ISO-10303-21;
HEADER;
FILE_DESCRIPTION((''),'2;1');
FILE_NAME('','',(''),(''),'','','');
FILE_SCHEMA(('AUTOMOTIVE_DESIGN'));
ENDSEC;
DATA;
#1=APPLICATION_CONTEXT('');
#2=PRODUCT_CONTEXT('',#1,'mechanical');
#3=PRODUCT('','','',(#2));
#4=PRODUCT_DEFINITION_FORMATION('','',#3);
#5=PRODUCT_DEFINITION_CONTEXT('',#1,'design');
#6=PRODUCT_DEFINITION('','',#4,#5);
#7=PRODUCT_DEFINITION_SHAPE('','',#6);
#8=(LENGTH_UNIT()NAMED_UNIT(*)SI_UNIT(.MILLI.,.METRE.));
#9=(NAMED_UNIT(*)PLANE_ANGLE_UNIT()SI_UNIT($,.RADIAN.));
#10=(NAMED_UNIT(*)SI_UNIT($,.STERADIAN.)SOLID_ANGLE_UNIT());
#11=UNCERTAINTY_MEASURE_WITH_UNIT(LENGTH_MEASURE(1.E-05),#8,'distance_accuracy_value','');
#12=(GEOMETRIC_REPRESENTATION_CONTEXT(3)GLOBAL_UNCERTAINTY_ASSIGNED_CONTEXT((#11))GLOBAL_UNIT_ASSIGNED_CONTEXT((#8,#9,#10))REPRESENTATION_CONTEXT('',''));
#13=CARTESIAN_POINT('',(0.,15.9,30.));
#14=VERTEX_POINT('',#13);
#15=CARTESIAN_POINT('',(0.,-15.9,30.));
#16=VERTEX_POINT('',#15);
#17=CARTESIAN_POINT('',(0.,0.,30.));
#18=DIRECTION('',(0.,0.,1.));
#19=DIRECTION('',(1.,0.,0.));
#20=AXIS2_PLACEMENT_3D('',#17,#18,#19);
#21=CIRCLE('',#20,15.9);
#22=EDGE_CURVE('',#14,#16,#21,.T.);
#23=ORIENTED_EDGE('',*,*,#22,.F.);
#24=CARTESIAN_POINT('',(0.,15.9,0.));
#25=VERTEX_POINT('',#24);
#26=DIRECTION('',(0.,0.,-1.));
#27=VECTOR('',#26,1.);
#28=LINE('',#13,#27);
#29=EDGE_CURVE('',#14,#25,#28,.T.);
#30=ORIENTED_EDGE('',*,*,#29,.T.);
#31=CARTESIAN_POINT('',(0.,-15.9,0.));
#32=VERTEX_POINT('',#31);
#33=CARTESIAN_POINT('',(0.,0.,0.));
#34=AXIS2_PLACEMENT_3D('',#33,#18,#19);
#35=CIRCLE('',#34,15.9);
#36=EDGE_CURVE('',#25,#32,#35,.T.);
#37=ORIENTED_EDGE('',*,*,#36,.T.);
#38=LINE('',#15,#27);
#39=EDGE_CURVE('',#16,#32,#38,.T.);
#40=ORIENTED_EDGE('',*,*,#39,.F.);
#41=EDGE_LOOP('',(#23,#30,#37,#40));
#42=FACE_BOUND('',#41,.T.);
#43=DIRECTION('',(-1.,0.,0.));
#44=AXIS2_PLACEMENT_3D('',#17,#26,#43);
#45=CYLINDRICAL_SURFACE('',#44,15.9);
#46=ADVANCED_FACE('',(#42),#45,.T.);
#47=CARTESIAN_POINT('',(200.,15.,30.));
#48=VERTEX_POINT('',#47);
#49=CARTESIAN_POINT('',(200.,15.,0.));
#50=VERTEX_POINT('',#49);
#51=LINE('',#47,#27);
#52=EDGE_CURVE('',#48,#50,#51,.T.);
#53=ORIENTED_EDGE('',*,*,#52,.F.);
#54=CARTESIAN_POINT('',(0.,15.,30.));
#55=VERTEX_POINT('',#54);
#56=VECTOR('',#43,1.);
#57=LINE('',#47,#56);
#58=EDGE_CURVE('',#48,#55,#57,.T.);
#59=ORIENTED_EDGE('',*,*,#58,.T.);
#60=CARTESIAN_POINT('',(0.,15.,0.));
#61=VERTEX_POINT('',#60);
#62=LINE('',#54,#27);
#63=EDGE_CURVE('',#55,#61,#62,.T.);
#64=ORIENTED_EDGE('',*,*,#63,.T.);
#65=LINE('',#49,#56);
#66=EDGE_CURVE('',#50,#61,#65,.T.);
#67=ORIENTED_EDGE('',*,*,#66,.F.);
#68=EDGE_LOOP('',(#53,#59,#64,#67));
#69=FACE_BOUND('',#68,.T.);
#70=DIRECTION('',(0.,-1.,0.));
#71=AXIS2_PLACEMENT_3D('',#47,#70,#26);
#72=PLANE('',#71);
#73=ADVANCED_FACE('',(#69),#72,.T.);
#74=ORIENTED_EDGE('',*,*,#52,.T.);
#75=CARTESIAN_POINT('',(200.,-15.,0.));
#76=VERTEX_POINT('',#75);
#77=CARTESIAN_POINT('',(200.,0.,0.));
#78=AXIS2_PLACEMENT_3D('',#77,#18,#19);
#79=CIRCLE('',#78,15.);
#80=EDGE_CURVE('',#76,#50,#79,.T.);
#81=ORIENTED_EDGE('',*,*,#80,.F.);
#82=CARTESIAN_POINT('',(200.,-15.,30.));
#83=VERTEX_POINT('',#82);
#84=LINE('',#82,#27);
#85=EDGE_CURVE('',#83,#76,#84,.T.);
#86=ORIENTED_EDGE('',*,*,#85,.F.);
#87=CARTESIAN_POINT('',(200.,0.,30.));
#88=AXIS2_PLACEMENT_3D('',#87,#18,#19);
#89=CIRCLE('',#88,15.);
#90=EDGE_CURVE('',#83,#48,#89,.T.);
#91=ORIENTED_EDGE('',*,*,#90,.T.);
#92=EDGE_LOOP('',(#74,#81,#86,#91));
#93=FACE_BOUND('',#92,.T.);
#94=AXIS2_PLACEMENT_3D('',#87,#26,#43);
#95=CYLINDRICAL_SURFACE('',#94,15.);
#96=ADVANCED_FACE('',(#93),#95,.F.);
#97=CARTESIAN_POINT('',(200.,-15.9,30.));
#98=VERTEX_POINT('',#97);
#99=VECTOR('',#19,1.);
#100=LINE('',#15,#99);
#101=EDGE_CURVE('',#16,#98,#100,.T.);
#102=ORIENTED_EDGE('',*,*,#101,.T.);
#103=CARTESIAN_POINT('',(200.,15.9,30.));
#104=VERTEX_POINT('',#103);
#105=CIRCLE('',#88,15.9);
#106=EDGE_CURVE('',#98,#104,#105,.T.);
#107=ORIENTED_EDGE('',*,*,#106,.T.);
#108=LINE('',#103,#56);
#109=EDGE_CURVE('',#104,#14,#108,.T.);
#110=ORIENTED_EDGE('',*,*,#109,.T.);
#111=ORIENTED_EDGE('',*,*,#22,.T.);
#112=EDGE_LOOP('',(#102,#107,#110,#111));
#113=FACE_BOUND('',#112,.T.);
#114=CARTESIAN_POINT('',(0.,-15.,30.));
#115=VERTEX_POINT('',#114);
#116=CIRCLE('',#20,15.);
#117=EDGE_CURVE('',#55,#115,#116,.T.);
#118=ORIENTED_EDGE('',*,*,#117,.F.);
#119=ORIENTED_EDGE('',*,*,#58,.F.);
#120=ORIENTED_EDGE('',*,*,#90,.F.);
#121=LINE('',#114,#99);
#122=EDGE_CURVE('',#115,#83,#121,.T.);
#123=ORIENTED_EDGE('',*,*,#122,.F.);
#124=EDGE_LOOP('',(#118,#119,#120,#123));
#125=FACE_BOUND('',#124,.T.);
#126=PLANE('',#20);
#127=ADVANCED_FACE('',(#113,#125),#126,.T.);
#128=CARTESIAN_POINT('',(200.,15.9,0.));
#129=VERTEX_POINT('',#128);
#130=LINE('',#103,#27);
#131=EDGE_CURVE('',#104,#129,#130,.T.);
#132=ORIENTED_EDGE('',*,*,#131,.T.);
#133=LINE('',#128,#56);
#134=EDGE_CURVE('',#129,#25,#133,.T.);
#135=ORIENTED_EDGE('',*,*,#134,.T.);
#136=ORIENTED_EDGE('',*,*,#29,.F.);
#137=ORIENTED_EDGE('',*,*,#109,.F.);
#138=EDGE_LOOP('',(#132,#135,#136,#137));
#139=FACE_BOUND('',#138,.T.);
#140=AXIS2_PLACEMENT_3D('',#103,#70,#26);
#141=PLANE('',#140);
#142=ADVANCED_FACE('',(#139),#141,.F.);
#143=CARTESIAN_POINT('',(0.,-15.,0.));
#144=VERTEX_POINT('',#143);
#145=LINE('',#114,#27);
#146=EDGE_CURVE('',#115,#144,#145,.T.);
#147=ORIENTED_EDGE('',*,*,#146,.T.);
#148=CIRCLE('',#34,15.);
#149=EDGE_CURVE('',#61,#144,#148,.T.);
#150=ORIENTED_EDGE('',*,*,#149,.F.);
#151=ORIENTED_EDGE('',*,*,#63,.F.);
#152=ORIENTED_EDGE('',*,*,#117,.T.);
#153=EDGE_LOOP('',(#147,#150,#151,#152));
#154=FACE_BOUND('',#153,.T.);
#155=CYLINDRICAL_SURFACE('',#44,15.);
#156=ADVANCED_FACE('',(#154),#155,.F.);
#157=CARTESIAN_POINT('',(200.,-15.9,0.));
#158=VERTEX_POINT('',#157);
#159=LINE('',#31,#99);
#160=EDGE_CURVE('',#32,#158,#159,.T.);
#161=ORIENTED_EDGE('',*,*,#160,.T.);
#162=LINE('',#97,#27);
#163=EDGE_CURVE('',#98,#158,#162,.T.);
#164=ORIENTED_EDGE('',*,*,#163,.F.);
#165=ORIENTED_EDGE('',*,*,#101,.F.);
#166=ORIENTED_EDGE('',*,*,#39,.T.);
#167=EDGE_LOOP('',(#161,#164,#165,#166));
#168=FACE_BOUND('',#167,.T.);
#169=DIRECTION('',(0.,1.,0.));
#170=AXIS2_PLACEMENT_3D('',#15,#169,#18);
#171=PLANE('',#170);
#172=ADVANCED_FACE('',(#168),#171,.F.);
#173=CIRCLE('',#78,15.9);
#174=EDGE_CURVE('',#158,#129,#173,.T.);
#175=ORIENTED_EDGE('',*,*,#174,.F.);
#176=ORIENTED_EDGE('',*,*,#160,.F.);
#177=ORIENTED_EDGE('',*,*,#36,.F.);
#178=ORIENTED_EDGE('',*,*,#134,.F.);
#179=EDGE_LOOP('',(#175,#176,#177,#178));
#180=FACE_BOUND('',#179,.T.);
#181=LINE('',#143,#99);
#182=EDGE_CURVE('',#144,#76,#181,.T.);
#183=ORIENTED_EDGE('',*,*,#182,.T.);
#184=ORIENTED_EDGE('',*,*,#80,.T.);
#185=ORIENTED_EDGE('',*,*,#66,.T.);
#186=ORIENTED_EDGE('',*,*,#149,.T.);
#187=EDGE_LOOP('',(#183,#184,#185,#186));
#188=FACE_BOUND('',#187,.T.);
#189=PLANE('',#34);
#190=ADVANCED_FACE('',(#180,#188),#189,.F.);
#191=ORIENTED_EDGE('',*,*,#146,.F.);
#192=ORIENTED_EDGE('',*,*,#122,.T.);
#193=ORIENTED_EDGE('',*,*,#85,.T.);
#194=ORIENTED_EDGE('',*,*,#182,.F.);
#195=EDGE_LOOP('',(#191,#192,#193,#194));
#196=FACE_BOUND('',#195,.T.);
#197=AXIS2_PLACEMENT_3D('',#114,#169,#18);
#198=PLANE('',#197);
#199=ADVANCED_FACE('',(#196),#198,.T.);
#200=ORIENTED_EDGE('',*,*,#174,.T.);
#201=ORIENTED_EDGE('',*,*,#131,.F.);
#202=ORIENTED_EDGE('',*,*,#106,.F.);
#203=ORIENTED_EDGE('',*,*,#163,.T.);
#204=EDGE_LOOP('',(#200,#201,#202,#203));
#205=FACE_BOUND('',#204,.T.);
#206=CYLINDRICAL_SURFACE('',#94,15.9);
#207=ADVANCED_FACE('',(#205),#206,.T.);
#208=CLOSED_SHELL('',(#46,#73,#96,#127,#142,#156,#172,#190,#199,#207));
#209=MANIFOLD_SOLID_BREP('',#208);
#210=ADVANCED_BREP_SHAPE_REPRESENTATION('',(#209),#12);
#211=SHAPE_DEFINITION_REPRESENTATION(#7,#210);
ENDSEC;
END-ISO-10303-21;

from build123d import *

# Parameters (mm, degrees)
EXTRUDE_1_DEPTH = 30


with BuildPart() as part:
    # 草图1 → 凸台-拉伸1 (new body)
    with BuildSketch(Plane.XY):
        with BuildLine():
            Line((0, -15.9), (200, -15.9))
            ThreePointArc((200, -15.9), (215.9, 0), (200, 15.9))
            Line((200, 15.9), (0, 15.9))
            ThreePointArc((0, 15.9), (-15.9, 0), (0, -15.9))
        make_face()
        with BuildLine():
            Line((0, -15), (200, -15))
            ThreePointArc((200, -15), (215, 0), (200, 15))
            Line((200, 15), (0, 15))
            ThreePointArc((0, 15), (-15, 0), (0, -15))
        make_face(mode=Mode.SUBTRACT)
    extrude(amount=EXTRUDE_1_DEPTH)


solid = part.part
